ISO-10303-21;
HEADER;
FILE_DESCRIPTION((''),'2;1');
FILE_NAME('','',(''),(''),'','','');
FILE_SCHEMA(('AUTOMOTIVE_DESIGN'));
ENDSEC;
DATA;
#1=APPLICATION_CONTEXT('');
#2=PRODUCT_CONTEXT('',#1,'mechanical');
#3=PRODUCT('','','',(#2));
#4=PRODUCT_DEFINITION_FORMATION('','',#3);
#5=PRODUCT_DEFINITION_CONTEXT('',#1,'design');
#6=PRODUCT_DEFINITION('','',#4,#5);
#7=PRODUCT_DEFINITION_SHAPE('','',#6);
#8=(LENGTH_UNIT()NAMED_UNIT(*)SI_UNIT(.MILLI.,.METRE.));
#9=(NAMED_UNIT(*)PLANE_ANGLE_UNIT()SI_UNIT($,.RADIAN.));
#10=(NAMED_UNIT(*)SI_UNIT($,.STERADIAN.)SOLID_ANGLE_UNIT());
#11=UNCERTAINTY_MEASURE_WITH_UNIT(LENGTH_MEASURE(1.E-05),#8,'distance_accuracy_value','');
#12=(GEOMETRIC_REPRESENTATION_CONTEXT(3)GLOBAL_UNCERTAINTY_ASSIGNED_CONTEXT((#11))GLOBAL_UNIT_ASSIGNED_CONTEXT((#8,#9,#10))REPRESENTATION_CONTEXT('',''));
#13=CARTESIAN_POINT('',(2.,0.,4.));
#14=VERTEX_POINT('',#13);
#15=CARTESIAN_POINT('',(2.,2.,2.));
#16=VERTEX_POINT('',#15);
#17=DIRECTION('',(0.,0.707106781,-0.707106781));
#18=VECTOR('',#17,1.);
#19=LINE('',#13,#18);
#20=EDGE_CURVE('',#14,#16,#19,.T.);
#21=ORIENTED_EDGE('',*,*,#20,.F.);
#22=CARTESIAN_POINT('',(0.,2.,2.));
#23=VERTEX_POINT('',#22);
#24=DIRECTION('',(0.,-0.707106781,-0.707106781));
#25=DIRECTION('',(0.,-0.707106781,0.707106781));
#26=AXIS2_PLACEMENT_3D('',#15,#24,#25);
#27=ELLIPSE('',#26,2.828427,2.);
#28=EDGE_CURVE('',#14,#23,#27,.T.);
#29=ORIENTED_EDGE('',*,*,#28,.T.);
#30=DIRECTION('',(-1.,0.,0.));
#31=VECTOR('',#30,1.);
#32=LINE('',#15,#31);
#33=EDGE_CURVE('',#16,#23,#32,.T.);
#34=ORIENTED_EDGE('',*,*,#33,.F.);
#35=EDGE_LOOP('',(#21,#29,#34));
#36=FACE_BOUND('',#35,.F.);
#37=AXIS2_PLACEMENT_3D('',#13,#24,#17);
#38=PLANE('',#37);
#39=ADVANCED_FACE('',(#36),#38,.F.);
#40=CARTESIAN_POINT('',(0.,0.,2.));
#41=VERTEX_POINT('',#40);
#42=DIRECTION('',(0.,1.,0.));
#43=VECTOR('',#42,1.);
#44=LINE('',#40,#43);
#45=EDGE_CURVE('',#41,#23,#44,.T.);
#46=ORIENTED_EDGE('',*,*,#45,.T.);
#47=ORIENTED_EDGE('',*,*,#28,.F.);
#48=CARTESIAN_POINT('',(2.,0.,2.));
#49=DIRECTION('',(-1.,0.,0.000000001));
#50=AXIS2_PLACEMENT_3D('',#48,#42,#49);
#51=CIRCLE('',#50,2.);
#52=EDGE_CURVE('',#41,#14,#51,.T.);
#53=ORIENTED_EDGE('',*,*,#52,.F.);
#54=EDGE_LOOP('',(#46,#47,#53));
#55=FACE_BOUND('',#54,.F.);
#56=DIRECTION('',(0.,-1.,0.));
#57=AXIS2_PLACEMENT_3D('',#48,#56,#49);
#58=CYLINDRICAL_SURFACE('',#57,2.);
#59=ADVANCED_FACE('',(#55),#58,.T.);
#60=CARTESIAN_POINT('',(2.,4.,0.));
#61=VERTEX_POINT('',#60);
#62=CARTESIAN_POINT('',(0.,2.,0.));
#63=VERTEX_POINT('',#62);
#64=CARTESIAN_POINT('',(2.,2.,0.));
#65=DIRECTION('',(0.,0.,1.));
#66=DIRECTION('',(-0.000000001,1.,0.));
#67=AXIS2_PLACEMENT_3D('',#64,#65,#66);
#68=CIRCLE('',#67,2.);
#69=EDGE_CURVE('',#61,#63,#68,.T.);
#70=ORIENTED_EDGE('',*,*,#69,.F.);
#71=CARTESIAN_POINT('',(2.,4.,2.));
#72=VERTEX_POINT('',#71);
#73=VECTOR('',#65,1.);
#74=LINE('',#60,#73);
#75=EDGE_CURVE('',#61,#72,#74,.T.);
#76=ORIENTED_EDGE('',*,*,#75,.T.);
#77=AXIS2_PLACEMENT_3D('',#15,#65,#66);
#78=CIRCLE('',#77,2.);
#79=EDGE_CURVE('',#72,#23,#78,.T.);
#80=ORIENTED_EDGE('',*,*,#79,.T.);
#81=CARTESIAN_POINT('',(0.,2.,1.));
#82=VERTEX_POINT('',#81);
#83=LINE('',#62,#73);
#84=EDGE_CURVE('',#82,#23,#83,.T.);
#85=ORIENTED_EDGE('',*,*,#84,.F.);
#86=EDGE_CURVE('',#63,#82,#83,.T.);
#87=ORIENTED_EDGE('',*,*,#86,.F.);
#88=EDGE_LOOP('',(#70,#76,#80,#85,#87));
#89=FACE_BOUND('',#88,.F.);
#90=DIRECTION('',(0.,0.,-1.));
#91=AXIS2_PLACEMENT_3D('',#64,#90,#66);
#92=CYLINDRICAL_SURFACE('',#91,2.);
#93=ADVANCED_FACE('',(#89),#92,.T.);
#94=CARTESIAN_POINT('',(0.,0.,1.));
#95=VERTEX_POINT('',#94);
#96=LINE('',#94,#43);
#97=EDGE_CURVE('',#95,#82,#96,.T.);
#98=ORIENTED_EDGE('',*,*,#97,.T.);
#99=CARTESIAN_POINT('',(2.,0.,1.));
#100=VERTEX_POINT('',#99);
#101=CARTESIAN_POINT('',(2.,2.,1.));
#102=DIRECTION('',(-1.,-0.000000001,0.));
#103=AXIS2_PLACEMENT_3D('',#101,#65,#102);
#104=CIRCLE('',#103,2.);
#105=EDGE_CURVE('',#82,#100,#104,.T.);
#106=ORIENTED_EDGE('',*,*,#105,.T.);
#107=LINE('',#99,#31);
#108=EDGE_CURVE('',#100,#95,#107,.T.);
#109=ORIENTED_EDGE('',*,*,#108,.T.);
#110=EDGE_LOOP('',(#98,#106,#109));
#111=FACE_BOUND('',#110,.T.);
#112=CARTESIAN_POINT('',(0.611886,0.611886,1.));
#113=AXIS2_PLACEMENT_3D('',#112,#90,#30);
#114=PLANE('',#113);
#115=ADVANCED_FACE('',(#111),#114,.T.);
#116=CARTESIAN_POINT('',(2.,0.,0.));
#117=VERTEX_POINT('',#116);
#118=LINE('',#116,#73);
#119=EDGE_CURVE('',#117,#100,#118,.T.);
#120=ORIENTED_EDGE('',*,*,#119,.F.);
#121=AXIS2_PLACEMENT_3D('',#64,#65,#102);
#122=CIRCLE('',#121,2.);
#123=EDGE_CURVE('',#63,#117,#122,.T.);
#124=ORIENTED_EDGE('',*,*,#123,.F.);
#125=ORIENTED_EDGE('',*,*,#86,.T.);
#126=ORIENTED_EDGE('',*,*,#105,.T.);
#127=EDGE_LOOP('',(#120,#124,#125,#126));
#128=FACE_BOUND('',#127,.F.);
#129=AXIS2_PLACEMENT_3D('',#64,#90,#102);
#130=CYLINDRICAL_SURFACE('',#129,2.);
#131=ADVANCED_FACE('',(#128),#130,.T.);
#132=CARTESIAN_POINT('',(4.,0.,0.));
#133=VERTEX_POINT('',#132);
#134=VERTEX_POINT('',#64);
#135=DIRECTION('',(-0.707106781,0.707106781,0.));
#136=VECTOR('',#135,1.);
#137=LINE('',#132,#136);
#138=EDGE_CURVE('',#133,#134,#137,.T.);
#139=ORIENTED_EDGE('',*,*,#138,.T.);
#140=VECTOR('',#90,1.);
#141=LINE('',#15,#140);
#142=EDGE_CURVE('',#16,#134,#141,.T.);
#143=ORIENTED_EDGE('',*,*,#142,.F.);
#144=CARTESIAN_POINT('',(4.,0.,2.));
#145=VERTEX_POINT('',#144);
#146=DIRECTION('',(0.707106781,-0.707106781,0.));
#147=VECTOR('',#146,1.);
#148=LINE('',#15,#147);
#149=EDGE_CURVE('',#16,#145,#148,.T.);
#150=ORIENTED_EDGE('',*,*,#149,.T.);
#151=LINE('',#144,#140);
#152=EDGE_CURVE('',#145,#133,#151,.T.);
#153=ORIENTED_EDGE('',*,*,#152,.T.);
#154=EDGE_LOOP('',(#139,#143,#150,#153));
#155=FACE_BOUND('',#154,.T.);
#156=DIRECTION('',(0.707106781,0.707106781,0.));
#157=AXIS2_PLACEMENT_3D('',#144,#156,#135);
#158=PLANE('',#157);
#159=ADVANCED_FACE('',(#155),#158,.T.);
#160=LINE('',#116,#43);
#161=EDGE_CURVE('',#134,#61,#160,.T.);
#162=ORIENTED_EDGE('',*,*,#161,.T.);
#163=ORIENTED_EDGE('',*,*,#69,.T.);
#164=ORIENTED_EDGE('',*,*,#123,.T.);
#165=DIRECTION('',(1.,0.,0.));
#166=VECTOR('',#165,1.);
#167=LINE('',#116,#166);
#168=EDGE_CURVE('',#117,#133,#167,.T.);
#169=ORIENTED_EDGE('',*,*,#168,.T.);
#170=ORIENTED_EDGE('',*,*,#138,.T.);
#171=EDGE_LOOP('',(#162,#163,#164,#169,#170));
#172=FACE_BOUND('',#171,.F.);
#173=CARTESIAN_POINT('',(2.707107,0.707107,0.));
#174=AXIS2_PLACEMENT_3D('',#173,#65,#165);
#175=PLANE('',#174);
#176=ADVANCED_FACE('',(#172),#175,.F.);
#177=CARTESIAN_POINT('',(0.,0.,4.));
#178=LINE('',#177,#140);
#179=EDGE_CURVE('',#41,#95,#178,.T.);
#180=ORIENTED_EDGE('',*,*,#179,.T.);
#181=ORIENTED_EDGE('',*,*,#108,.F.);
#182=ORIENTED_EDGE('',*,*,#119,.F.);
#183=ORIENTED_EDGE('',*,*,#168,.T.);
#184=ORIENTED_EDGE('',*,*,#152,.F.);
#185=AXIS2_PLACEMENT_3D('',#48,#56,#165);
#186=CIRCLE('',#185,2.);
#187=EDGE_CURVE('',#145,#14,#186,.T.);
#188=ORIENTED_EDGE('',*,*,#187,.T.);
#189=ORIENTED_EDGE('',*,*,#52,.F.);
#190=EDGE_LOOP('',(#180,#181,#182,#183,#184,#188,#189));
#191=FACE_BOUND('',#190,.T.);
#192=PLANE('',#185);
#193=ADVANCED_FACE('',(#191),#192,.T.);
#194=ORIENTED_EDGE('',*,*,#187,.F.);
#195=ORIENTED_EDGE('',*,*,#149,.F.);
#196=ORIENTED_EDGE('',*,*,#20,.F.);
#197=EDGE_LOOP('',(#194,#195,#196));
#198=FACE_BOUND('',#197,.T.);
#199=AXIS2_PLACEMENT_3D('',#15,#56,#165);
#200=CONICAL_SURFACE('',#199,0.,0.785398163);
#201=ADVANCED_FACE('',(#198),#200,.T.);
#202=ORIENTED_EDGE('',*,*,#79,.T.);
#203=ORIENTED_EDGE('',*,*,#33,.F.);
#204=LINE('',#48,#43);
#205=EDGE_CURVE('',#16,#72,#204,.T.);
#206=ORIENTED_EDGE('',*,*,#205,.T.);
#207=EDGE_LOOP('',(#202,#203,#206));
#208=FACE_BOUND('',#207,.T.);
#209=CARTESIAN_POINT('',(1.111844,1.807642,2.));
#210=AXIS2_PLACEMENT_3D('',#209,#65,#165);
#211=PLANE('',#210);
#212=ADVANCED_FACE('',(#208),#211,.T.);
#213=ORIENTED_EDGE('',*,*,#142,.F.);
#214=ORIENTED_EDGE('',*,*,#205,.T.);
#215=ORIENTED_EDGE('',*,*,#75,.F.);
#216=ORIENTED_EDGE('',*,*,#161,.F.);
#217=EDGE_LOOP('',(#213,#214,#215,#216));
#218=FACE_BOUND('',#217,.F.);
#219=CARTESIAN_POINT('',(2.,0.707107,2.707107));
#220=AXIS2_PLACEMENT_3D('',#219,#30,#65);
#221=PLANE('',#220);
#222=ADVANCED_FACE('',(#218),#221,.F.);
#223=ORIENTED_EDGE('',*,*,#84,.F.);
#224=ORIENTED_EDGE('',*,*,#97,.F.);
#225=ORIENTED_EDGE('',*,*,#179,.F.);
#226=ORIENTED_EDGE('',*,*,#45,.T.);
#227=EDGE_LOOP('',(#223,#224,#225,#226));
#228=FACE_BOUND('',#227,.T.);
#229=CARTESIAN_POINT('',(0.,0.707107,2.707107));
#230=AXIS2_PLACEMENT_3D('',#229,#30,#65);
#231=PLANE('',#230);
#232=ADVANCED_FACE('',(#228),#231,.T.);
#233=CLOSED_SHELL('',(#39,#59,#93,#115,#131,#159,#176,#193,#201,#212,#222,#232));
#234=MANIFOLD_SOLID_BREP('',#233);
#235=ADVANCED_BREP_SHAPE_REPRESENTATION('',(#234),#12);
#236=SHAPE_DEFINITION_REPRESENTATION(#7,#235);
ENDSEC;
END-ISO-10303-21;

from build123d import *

# Parameters (mm, degrees)
BOSS_EXTRUDE1_DEPTH = 2
REVOLVE1_ANGLE      = 90
BOSS_EXTRUDE2_DEPTH = 2
CUT_EXTRUDE1_DEPTH  = 2
CUT_EXTRUDE2_DEPTH  = 1
BOSS_EXTRUDE3_DEPTH = 2


with BuildPart() as part:
    # Sketch1 → Boss-Extrude1 (new body)
    with BuildSketch(Plane.XY):
        with BuildLine():
            Line((0, 0), (2, 0))
            Line((2, 0), (2, 4))
            ThreePointArc((2, 4), (0.585786438, 3.414213562), (0, 2))
            Line((0, 2), (0, 0))
        make_face()
    extrude(amount=BOSS_EXTRUDE1_DEPTH)

    # Sketch4 → Boss-Extrude2 (add)
    with BuildSketch(Plane.ZY.offset(-2)):
        Polygon((2, 2), (2, 0), (4, 0), align=None)
    extrude(amount=BOSS_EXTRUDE2_DEPTH)

    # Sketch5 → Cut-Extrude1 (cut)
    with BuildSketch(Plane.XZ):
        with BuildLine():
            Line((2, 4), (0, 4))
            Line((0, 4), (0, 2))
            ThreePointArc((0, 2), (0.585786438, 3.414213562), (2, 4))
        make_face()
    extrude(amount=-CUT_EXTRUDE1_DEPTH, mode=Mode.SUBTRACT)

    # Sketch7 → Cut-Extrude2 (cut)
    with BuildSketch(Plane(origin=(0, 0, 0), x_dir=(-1, 0, 0), z_dir=(0, 0, -1))):
        with BuildLine():
            Line((-2, 0), (0, 0))
            Line((0, 0), (0, 2))
            ThreePointArc((0, 2), (-0.585786438, 0.585786438), (-2, 0))
        make_face()
    extrude(amount=-CUT_EXTRUDE2_DEPTH, mode=Mode.SUBTRACT)



with BuildPart() as body_2:
    # Sketch3 → Revolve1 (revolve)
    with BuildSketch(Plane.XY.offset(2)):
        Polygon((2, 2), (4, 0), (2, 0), align=None)
    revolve(axis=Axis((2, 2, 2), (0, -1, 0)), revolution_arc=REVOLVE1_ANGLE)


with BuildPart() as part_1:
    add(part.part)

    add(body_2.part)  # Boss-Extrude3 merges body 2
    # Sketch8 → Boss-Extrude3 (add)
    with BuildSketch(Plane(origin=(0, 0, 2), x_dir=(-1, 0, 0), z_dir=(0, 0, -1))):
        Polygon((-2, 2), (-2, 0), (-4, 0), align=None)
    extrude(amount=BOSS_EXTRUDE3_DEPTH)


solid = part_1.part
